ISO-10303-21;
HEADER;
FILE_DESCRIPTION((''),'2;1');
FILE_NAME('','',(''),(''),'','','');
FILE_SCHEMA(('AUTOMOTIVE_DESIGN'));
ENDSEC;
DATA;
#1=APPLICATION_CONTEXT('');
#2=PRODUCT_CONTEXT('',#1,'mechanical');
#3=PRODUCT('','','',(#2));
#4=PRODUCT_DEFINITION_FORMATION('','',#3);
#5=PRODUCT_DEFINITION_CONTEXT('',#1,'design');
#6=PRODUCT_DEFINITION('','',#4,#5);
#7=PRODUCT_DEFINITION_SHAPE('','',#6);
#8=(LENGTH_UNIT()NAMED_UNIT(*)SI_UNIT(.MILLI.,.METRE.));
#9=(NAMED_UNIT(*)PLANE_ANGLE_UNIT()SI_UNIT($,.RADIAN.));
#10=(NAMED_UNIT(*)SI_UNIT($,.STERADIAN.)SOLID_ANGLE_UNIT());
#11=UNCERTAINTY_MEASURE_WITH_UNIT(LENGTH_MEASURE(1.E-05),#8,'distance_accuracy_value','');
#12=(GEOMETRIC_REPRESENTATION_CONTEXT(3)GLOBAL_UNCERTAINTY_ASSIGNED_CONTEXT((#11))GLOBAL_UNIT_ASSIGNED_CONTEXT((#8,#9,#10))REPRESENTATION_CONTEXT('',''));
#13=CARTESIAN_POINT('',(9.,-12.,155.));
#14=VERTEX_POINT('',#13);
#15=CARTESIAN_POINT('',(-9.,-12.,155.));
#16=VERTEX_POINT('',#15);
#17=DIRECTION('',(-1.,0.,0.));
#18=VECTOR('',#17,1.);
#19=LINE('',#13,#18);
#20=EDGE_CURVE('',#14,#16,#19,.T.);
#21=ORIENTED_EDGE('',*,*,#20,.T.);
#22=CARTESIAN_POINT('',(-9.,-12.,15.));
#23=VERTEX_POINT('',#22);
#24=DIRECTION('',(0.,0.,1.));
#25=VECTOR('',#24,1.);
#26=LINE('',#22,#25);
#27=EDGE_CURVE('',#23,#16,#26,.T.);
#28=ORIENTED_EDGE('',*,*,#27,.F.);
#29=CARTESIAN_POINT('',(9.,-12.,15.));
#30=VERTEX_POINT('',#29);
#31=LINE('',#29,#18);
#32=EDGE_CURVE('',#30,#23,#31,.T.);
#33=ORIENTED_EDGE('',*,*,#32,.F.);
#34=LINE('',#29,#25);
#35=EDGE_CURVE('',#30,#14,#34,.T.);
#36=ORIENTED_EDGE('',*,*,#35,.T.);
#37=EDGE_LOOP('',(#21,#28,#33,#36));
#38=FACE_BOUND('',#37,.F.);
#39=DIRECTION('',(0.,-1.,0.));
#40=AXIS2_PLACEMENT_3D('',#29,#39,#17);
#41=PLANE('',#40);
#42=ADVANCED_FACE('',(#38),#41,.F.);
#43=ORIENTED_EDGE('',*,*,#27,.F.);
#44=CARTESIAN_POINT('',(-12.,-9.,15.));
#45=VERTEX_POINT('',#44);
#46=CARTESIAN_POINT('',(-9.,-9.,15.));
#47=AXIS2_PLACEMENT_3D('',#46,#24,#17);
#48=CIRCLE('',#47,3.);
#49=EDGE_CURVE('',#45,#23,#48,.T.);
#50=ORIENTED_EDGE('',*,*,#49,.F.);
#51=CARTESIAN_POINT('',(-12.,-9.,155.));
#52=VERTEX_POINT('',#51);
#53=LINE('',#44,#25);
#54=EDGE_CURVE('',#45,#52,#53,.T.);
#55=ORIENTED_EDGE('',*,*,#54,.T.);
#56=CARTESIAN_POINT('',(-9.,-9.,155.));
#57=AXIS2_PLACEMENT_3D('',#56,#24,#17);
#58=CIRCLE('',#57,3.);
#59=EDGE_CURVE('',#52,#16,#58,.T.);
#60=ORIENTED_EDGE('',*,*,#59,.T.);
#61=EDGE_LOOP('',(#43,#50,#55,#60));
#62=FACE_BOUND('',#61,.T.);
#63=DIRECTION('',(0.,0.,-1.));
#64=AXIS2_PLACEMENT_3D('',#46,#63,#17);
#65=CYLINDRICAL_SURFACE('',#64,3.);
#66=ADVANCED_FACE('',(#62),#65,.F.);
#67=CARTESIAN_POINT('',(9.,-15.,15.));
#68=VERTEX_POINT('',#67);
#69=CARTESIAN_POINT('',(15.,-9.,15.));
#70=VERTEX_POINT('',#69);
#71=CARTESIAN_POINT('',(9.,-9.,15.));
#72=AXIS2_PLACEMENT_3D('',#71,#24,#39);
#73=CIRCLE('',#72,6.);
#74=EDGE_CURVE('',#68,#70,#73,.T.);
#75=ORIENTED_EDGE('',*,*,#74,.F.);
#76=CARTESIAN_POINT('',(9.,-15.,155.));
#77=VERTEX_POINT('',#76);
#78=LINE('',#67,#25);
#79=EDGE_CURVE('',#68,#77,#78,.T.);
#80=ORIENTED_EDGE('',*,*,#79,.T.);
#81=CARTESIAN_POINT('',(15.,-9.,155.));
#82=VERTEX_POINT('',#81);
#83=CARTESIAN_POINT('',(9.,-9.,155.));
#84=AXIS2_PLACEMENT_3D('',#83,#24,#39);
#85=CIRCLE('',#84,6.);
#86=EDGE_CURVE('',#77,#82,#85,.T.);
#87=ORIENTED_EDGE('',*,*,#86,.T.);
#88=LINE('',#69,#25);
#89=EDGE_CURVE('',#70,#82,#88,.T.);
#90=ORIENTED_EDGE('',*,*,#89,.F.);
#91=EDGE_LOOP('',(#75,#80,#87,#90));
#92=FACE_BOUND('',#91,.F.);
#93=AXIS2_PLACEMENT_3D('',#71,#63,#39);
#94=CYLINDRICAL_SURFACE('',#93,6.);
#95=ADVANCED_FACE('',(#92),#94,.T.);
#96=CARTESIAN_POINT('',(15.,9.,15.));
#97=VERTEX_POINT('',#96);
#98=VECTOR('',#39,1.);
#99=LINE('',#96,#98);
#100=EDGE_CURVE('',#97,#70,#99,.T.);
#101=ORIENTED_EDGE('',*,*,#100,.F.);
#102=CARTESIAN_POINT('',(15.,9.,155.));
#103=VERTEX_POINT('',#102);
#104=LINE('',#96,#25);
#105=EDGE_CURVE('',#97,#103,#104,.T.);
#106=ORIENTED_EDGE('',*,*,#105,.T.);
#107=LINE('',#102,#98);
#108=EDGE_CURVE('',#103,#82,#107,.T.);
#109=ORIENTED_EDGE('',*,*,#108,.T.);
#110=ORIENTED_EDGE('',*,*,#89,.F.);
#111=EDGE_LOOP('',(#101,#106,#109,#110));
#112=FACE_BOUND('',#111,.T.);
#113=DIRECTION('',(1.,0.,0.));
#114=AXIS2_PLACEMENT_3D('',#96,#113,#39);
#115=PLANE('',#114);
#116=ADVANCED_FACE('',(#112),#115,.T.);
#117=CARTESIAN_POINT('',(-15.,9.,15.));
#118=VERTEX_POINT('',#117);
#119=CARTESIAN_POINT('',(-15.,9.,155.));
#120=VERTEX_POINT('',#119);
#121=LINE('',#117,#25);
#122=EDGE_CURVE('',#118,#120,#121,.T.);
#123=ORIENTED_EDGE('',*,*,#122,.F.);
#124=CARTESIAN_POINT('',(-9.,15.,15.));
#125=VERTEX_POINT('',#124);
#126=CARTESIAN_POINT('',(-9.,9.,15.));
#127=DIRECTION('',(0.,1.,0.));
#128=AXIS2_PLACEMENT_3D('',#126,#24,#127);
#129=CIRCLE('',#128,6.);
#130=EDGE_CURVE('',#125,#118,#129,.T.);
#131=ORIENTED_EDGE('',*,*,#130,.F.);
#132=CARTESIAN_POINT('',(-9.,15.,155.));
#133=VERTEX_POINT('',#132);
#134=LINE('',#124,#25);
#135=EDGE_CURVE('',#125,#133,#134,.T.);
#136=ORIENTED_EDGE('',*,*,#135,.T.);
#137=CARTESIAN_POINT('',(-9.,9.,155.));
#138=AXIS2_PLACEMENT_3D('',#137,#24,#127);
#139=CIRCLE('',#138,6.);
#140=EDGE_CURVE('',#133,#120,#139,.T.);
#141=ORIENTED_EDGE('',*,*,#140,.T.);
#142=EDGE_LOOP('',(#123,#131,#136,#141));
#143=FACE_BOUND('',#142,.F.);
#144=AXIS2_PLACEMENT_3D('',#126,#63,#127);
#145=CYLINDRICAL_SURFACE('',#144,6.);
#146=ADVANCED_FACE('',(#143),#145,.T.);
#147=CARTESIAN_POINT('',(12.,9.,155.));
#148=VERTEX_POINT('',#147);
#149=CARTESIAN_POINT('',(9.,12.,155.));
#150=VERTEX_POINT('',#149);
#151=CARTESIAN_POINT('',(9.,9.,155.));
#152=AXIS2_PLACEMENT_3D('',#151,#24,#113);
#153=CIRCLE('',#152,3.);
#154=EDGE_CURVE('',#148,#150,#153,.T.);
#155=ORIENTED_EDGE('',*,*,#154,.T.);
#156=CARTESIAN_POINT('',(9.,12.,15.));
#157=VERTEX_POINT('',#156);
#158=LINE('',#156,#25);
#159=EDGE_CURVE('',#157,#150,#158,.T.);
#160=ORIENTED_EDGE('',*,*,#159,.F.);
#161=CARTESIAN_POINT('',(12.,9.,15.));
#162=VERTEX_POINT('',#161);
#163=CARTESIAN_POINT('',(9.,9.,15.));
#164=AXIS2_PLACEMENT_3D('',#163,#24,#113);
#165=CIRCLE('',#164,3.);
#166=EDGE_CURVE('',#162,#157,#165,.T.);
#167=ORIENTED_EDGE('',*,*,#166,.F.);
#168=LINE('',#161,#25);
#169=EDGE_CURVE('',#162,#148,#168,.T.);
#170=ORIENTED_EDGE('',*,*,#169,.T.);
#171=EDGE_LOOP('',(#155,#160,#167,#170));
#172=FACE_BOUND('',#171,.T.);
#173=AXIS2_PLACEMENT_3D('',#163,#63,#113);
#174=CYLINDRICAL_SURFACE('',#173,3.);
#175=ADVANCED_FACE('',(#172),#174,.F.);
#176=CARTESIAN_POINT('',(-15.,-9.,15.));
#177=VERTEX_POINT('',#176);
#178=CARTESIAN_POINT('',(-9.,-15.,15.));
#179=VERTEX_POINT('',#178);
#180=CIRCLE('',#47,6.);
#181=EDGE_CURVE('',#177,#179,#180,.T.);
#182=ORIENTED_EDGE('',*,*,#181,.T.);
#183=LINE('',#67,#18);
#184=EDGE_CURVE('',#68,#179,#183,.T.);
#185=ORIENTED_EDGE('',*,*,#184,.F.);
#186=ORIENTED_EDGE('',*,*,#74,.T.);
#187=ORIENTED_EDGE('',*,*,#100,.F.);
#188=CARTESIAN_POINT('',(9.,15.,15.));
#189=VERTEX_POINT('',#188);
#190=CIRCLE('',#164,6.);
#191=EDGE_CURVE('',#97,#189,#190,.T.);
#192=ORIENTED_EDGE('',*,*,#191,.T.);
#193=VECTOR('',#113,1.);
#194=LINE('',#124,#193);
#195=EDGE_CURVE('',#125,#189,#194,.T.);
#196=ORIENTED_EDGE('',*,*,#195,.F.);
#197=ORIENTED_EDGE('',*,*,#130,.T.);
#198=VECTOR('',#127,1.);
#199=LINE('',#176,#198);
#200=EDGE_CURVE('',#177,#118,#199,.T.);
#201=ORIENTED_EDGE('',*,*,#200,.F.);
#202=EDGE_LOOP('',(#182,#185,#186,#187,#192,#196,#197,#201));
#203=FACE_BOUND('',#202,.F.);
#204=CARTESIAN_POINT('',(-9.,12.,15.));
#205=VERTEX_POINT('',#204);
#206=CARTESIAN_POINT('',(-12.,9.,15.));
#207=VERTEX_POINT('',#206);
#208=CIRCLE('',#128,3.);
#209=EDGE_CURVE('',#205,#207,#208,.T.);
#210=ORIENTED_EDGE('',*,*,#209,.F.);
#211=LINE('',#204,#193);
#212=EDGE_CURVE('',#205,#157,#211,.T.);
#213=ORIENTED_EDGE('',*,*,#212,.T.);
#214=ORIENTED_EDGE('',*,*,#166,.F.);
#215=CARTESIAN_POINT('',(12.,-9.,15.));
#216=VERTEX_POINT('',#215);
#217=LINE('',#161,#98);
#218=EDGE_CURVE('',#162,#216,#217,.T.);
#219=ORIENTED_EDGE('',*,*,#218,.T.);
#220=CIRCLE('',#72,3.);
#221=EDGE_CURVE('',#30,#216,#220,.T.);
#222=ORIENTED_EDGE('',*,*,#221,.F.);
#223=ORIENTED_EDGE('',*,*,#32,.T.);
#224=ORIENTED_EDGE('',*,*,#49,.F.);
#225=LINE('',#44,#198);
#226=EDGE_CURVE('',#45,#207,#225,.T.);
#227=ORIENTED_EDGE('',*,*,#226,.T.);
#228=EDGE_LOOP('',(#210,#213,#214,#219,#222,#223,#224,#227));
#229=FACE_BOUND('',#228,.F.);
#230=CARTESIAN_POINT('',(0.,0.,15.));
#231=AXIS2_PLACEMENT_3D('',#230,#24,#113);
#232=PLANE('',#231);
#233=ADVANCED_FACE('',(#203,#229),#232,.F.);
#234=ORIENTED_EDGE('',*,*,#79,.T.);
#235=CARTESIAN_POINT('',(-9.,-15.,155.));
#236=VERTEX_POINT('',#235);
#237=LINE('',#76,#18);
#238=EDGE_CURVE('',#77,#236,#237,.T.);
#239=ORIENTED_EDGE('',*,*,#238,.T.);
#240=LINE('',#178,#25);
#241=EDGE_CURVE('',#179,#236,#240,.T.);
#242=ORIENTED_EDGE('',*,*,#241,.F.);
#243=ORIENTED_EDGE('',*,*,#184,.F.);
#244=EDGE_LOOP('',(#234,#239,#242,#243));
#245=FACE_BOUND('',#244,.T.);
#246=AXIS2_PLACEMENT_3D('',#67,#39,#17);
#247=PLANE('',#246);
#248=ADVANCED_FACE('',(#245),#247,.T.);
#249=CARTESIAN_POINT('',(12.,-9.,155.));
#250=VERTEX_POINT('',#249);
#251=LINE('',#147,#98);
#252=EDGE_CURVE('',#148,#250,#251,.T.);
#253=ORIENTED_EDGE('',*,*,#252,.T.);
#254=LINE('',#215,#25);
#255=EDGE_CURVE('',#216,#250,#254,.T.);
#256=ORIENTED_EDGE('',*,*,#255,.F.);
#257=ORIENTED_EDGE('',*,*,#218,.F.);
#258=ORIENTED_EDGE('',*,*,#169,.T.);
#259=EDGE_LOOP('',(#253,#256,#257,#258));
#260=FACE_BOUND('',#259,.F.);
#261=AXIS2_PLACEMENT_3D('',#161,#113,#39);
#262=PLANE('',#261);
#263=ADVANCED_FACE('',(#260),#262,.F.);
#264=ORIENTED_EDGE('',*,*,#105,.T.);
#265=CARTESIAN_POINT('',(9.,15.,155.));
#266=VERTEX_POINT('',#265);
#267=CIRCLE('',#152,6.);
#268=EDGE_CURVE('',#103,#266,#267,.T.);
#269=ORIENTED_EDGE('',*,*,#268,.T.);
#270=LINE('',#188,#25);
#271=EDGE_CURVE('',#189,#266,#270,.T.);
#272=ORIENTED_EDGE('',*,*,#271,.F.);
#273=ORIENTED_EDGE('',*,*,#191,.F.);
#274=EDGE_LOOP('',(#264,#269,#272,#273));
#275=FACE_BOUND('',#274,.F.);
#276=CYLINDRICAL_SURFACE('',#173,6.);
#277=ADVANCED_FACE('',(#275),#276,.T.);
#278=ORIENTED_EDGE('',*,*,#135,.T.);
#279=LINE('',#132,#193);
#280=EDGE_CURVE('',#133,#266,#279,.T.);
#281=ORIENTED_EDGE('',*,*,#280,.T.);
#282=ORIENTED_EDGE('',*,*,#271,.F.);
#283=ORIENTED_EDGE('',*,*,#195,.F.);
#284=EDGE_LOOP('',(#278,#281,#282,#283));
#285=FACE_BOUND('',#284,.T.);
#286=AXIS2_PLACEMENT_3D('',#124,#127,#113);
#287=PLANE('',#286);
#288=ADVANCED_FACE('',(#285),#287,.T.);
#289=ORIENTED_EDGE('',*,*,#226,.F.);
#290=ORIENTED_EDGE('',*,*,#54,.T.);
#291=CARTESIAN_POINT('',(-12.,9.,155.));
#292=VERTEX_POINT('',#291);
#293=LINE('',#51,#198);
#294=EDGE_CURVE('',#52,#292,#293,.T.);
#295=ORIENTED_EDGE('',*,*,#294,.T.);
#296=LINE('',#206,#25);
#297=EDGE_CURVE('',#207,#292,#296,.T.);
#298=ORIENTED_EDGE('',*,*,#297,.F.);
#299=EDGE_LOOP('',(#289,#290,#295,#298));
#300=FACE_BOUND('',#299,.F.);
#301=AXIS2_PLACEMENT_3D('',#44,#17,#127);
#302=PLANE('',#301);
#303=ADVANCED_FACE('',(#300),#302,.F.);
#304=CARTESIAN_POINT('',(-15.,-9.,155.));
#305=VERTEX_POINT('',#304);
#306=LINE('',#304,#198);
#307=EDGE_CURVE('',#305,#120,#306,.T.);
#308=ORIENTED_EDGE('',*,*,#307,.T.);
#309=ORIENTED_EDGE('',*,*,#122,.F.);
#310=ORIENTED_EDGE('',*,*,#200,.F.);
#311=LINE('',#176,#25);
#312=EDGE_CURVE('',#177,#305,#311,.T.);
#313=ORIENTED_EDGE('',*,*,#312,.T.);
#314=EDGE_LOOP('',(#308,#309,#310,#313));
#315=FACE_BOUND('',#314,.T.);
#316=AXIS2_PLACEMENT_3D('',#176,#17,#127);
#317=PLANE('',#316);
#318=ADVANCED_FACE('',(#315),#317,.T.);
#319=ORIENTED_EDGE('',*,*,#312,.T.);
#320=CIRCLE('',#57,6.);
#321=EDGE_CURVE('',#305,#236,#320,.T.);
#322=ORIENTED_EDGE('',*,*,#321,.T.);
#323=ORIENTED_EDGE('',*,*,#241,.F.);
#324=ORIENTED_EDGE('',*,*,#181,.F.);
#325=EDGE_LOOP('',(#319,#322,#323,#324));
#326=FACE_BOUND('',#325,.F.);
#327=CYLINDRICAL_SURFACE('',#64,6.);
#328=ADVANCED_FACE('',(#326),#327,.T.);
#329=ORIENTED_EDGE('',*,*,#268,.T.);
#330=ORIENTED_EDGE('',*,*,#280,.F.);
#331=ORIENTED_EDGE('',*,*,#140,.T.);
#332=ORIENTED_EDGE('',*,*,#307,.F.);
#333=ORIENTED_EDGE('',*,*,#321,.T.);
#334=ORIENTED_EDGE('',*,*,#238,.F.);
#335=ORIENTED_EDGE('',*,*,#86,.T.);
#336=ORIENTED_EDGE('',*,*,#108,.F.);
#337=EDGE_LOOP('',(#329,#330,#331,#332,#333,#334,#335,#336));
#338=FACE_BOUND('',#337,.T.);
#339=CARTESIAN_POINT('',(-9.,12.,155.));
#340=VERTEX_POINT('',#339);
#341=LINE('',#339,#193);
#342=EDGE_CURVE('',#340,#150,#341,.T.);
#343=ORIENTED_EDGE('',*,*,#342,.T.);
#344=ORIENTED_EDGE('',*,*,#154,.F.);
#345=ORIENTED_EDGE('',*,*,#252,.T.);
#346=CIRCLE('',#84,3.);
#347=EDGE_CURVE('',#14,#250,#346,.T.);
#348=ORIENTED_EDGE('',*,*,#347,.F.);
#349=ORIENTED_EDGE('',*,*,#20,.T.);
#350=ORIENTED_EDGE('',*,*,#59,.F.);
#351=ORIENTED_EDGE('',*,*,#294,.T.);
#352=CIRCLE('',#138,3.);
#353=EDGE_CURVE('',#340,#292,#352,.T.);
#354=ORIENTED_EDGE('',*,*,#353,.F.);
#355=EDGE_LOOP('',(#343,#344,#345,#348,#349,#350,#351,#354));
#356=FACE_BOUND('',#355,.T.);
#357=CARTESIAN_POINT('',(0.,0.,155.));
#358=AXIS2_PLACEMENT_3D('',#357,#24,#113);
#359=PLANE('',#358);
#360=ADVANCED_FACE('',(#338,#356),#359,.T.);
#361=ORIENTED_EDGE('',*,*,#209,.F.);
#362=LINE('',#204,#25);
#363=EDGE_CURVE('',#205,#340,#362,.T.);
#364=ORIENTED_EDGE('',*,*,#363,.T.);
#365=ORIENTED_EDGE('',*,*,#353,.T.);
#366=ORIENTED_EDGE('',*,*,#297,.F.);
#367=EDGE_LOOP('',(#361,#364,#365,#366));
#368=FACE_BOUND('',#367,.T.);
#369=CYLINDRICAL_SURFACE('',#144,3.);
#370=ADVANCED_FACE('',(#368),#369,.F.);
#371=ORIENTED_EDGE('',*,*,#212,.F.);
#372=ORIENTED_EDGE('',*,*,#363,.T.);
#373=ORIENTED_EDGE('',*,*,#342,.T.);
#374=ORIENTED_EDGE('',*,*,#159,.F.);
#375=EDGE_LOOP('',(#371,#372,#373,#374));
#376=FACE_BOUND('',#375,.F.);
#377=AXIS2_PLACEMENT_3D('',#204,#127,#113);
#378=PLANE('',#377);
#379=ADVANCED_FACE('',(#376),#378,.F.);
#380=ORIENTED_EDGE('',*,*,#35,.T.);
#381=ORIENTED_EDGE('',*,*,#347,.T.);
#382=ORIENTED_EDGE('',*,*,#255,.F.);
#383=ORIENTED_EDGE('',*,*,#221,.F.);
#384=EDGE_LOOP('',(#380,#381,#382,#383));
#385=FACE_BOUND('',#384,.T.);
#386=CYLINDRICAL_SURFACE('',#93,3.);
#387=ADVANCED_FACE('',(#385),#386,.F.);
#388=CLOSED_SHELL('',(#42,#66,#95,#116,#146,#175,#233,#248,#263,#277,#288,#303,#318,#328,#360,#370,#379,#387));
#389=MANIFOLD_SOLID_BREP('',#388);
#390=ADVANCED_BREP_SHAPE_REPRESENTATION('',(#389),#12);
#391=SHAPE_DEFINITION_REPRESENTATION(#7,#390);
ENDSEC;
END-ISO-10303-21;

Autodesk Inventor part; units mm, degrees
ref_plane "Start plane" through (0, 0, 15) normal (0, 0, 1) x (1, 0, 0)
ref_plane "End plane" through (0, 0, 155) normal (0, 0, 1) x (1, 0, 0)
sketch "Sketch" plane through (0, 0, 0) normal (0, 0, 1) x (1, 0, 0)
  line L0 (-15, -9) -> (-15, 9)
  line L1 (-9, 15) -> (9, 15)
  line L2 (15, 9) -> (15, -9)
  line L3 (9, -15) -> (-9, -15)
  arc A0 (-15, -9) -> (-9, -15) centre (-9, -9) ccw
  arc A1 (-9, 15) -> (-15, 9) centre (-9, 9) ccw
  arc A2 (15, 9) -> (9, 15) centre (9, 9) ccw
  arc A3 (9, -15) -> (15, -9) centre (9, -9) ccw
  arc A4 (-9, 12) -> (-12, 9) centre (-9, 9) ccw
  line L4 (-9, 12) -> (9, 12)
  arc A5 (12, 9) -> (9, 12) centre (9, 9) ccw
  line L5 (12, 9) -> (12, -9)
  arc A6 (9, -12) -> (12, -9) centre (9, -9) ccw
  line L6 (9, -12) -> (-9, -12)
  arc A7 (-12, -9) -> (-9, -12) centre (-9, -9) ccw
  line L7 (-12, -9) -> (-12, 9)
  line L8 (0, 22.7397) -> (0, -22.7397) construction
  line L9 (-22.7397, 0) -> (22.7397, 0) construction
  dimension "d7" = 6
  dimension "d10" = 30
  dimension "d11" = 30
  dimension "d12" = 3
  dimension "d15" = 15
  dimension "d16" = 15
extrude "Body" add sketch "Sketch" along normal up to surface (140 mm away) from surface at 15
sketch "Sketch3" plane through (0, 0, 0) normal (0, 0, 1) x (1, 0, 0)
  line L0 (0, 0) -> (10, 0)
ref_plane "Work Plane3" through (0, 0, 0) normal (0, -1, 0) x (1, 0, 0)
ref_plane "Work Plane4" through (9, 520, 155) normal (0, 0, 1) x (1, 0, 0)
split "Split1" plane through (9, 520, 155) removes the side toward (0, 0, 1)
ref_plane "Work Plane5" through (-9, 520, 15) normal (0, 0, -1) x (-1, 0, 0)
split "Split2" plane through (-9, 520, 15) removes the side toward (0, 0, -1)
sketch "Sketch4" plane through (0, 0, 0) normal (0, -1, 0) x (1, 0, 0)
  line L0 (-2, 15) -> (12, 15) projected
  line L1 (-2, 155) -> (12, 155) projected
  dimension "d18" = 140
equation "\"d7\" = G_IR"
equation "\"d10\" = G_H"
equation "\"d11\" = G_W"
equation "\"d12\" = G_T"
equation "\"d15\" = 0.5 * d10"
equation "\"d16\" = 0.5 * d11"
equation "\"d3\" = G_L"
equation "\"G_W\" = 30"
equation "\"G_H\" = 30"
equation "\"G_T\" = 3"
equation "\"G_IR\" = 6"
equation "\"G_L\" = d18"
equation "\"G_OFFSET_START\" = -15"
equation "\"G_OFFSET_END\" = -15"
equation "\"d13\" = -G_OFFSET_START"
equation "\"d14\" = G_OFFSET_END + B_L"
equation "\"B_L\" = 170"
properties part number "DIN EN 10219-2 - 30 x 30 x 3  - 140" material "Steel, Mild"
